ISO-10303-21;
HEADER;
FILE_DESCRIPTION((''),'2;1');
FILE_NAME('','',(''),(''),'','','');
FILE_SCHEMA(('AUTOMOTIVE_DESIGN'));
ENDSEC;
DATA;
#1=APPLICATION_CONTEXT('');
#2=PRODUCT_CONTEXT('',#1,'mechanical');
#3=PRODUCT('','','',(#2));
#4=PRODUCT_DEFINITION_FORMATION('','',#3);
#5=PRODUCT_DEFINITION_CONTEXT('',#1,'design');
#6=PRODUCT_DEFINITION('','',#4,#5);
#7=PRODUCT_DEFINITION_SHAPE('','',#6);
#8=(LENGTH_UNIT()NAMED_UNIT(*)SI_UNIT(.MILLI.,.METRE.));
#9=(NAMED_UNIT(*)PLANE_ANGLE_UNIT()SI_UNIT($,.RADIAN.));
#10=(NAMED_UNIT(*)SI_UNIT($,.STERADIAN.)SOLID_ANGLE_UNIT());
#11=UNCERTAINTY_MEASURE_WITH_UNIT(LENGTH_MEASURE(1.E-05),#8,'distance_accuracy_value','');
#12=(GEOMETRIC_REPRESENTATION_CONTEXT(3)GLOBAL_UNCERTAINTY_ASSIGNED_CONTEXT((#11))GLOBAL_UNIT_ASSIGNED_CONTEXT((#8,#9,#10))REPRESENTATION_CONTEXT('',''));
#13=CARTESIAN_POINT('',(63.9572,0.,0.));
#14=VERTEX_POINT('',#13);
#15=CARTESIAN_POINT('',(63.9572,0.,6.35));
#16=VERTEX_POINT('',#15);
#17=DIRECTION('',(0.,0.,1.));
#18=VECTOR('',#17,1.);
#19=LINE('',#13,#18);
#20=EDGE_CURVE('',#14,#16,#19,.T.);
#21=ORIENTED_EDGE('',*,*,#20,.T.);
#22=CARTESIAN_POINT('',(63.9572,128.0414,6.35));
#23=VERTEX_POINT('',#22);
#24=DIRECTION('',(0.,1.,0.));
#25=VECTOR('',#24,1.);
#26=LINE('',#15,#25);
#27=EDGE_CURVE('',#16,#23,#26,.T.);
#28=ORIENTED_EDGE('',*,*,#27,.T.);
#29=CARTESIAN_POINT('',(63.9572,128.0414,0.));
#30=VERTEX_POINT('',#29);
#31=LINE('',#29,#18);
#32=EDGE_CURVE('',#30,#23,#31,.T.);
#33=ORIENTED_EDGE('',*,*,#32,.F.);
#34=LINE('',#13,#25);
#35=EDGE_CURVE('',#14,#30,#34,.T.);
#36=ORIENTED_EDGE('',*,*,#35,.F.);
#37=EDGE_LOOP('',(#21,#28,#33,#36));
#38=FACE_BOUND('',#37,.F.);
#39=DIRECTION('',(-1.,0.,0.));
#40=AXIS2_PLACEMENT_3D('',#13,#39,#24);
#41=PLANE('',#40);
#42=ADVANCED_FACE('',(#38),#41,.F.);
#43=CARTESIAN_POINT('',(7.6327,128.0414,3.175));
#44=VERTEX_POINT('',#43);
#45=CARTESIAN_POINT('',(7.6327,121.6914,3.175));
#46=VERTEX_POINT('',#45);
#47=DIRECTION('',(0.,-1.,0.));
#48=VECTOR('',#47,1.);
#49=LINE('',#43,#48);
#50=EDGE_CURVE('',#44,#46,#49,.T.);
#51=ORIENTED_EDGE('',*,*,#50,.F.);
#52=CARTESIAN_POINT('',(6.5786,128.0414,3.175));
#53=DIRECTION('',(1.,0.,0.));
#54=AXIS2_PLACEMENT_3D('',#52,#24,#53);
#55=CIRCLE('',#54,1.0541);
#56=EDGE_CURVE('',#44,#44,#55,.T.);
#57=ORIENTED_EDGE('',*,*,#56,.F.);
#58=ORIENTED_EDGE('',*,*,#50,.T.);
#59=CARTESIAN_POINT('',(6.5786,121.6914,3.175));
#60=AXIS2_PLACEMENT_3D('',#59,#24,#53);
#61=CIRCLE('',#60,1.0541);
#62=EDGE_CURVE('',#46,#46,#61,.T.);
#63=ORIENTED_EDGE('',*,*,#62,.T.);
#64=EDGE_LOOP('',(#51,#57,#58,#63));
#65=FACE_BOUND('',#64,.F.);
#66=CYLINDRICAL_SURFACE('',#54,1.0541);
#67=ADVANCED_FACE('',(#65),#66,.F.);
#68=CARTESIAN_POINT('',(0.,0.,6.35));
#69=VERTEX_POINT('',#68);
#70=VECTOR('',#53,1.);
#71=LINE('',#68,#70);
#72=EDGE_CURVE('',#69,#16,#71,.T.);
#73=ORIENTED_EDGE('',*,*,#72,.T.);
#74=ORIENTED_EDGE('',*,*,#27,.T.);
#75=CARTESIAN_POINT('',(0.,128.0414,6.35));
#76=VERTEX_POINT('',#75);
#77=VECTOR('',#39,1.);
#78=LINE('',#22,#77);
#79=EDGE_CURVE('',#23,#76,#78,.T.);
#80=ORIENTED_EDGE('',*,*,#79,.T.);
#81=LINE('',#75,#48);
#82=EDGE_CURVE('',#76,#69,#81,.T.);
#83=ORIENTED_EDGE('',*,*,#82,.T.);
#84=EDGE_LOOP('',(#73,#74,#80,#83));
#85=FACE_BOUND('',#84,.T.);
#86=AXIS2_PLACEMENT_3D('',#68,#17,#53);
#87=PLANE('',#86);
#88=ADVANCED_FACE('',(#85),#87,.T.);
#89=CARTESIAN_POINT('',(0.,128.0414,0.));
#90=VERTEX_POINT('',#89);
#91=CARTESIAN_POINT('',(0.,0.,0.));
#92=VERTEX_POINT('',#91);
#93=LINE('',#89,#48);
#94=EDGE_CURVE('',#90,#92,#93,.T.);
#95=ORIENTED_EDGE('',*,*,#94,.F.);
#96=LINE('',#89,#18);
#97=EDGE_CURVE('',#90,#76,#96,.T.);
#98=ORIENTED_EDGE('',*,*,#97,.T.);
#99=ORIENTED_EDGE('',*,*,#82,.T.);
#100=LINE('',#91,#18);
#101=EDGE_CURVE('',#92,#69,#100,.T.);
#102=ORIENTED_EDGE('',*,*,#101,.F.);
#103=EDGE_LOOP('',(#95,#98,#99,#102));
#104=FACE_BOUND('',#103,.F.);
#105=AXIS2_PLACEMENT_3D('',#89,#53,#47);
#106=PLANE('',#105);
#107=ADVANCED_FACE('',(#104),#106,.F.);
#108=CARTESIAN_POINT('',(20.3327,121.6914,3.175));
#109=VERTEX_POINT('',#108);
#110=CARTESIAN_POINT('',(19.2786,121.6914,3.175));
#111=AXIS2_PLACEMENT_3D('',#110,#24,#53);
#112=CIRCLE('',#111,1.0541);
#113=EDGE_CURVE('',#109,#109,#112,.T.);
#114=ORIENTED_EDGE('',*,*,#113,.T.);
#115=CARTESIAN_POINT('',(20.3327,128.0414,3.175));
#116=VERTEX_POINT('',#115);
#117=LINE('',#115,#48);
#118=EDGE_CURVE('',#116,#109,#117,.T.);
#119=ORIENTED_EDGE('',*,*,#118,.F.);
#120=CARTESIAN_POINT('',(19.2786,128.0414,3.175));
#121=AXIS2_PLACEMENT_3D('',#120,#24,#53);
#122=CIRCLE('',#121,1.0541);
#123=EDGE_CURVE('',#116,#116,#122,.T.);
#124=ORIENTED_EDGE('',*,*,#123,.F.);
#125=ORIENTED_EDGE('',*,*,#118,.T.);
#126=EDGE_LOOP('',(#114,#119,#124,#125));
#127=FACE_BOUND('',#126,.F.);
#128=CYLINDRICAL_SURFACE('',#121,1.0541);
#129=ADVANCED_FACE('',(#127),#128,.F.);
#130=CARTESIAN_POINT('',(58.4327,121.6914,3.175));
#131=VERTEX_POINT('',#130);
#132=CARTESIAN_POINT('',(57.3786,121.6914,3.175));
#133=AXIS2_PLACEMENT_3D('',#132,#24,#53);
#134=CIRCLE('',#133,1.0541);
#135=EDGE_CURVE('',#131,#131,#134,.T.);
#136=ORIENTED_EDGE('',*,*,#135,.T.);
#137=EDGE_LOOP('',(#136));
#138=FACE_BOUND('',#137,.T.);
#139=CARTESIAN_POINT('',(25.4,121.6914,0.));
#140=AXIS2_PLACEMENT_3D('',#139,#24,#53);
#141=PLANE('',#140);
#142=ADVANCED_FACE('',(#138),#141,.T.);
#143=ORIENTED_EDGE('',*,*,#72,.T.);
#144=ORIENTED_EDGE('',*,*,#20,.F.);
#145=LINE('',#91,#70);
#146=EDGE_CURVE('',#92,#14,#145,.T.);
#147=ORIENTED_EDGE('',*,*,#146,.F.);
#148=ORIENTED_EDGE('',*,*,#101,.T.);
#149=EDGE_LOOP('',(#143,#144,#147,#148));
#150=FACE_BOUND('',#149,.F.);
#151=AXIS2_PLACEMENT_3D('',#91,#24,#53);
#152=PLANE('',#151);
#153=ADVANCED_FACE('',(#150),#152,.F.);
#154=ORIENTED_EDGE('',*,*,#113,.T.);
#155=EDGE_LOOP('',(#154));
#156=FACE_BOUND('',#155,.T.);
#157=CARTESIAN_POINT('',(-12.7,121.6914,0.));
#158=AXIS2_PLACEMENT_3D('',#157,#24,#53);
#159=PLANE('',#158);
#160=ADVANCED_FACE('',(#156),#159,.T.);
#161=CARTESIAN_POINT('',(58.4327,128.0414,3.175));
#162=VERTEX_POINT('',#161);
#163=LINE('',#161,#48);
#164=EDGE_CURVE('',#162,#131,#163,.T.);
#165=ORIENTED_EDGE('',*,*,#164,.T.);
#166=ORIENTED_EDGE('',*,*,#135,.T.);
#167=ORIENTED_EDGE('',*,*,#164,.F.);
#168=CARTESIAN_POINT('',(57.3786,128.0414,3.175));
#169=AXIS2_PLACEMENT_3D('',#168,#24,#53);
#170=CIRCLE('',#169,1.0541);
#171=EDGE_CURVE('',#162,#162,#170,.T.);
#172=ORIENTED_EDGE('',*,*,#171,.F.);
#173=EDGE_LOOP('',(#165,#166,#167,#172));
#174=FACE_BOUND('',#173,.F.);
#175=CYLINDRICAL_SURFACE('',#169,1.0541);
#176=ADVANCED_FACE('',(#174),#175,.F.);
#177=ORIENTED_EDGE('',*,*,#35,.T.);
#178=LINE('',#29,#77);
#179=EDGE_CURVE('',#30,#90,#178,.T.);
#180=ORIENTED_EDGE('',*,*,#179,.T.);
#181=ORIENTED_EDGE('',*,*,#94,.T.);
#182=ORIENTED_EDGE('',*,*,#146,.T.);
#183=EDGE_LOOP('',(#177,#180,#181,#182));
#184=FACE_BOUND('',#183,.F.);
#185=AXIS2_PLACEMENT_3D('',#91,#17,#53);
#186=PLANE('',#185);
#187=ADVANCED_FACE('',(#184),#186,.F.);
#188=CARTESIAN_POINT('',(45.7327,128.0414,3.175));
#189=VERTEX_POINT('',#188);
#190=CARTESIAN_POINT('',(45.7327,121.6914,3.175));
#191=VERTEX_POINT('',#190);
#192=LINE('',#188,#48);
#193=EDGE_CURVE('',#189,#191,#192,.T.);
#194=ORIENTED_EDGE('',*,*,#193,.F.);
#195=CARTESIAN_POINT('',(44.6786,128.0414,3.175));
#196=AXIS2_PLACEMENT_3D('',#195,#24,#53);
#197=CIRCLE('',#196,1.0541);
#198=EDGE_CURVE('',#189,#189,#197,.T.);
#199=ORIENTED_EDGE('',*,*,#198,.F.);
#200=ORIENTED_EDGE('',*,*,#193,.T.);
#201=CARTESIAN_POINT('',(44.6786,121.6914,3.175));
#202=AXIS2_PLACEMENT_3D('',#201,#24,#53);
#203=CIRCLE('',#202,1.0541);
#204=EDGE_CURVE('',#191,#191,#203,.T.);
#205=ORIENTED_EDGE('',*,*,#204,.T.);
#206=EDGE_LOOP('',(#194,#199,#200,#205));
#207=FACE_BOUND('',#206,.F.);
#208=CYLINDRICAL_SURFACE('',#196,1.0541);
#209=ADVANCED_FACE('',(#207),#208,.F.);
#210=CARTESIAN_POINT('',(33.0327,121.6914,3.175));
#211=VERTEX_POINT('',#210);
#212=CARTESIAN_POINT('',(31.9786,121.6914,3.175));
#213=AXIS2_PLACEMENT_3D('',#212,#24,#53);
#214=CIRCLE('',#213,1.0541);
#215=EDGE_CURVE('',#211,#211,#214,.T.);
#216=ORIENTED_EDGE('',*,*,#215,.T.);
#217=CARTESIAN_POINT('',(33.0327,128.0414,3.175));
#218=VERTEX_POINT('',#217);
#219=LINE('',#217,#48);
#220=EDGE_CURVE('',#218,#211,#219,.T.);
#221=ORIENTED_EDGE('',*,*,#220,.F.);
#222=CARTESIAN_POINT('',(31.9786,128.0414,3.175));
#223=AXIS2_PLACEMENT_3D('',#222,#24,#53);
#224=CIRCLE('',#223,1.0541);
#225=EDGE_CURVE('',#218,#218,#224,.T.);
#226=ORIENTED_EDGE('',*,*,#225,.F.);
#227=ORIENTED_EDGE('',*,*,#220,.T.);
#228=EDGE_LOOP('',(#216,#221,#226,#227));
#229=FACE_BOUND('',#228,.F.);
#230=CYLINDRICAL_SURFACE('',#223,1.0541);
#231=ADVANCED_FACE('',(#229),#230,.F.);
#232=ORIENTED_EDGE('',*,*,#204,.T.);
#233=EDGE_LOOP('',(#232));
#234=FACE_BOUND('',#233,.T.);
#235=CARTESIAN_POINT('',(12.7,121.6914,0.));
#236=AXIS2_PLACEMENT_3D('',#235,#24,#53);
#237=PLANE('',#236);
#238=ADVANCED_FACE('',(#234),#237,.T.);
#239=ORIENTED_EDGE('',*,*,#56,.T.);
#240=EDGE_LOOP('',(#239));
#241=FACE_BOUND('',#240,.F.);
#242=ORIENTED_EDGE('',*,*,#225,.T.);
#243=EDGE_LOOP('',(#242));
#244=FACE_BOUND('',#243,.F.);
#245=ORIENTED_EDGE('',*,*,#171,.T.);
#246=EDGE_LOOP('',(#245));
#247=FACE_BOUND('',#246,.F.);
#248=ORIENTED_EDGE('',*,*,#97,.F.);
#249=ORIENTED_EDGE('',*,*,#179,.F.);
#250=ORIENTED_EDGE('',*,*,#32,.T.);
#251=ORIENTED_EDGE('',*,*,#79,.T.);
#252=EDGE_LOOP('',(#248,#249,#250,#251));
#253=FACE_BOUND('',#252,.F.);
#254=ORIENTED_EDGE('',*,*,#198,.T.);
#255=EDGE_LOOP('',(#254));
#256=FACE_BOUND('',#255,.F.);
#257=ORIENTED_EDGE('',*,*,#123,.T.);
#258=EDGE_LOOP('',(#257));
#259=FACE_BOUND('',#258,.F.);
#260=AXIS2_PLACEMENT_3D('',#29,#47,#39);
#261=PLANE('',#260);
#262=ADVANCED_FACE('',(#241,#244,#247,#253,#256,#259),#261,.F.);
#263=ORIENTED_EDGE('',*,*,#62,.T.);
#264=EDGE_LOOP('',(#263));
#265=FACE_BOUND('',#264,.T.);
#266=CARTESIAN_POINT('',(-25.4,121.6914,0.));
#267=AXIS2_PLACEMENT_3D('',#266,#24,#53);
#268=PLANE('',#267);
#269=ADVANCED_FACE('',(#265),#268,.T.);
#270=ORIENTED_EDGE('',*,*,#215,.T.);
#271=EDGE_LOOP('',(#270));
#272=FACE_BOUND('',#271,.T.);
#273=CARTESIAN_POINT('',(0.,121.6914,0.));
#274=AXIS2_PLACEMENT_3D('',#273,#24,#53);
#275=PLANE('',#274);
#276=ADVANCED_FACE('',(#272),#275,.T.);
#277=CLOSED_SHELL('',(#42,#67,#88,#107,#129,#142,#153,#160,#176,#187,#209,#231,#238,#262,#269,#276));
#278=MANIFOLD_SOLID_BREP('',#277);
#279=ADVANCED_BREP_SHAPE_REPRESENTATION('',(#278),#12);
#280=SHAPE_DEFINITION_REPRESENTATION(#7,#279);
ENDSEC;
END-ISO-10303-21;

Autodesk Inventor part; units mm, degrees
ref_plane "YZ Plane" through (0, 0, 0) normal (1, 0, 0) x (0, 1, 0)
ref_plane "XZ Plane" through (0, 0, 0) normal (0, 1, 0) x (-1, 0, 0)
ref_plane "XY Plane" through (0, 0, 0) normal (0, 0, 1) x (1, 0, 0)
sketch "Sketch1" plane through (0, 0, 0) normal (0, 0, 1) x (1, 0, 0)
  line L0 (0, 0) -> (63.9572, 0)
  line L1 (63.9572, 0) -> (63.9572, 128.0414)
  line L2 (63.9572, 128.0414) -> (0, 128.0414)
  line L3 (0, 128.0414) -> (0, 0)
  dimension "d0" = 63.9572
  dimension "d1" = 128.0414
extrude "Extrusion1" add sketch "Sketch1" along normal blind 6.35
sketch "Sketch2" plane through (0, 128.0414, 0) normal (0, 1, 0) x (1, 0, 0)
  line L0 (63.9572, 0) -> (0, 0) construction
  line L1 (0, 0) -> (0, -6.35) construction
  line L2 (63.9572, -6.35) -> (0, -6.35) construction
  line L3 (63.9572, 0) -> (63.9572, -6.35) construction
  line L4 (0, -6.35) -> (63.9572, -6.35) construction
  line L5 (31.9786, -6.35) -> (31.9786, 0) construction
  circle A0 centre (31.9786, -3.175) radius 1.0541
  dimension "d4" = 2.1082
extrude "Extrusion2" cut sketch "Sketch2" against normal blind 6.35
pattern_linear "Rectangular Pattern1" count 3 spacing 12.7 along (-1, 0, 0) count 3 spacing 12.7 along (1, 0, 0) of "Extrusion2"
properties part number "bottom"
